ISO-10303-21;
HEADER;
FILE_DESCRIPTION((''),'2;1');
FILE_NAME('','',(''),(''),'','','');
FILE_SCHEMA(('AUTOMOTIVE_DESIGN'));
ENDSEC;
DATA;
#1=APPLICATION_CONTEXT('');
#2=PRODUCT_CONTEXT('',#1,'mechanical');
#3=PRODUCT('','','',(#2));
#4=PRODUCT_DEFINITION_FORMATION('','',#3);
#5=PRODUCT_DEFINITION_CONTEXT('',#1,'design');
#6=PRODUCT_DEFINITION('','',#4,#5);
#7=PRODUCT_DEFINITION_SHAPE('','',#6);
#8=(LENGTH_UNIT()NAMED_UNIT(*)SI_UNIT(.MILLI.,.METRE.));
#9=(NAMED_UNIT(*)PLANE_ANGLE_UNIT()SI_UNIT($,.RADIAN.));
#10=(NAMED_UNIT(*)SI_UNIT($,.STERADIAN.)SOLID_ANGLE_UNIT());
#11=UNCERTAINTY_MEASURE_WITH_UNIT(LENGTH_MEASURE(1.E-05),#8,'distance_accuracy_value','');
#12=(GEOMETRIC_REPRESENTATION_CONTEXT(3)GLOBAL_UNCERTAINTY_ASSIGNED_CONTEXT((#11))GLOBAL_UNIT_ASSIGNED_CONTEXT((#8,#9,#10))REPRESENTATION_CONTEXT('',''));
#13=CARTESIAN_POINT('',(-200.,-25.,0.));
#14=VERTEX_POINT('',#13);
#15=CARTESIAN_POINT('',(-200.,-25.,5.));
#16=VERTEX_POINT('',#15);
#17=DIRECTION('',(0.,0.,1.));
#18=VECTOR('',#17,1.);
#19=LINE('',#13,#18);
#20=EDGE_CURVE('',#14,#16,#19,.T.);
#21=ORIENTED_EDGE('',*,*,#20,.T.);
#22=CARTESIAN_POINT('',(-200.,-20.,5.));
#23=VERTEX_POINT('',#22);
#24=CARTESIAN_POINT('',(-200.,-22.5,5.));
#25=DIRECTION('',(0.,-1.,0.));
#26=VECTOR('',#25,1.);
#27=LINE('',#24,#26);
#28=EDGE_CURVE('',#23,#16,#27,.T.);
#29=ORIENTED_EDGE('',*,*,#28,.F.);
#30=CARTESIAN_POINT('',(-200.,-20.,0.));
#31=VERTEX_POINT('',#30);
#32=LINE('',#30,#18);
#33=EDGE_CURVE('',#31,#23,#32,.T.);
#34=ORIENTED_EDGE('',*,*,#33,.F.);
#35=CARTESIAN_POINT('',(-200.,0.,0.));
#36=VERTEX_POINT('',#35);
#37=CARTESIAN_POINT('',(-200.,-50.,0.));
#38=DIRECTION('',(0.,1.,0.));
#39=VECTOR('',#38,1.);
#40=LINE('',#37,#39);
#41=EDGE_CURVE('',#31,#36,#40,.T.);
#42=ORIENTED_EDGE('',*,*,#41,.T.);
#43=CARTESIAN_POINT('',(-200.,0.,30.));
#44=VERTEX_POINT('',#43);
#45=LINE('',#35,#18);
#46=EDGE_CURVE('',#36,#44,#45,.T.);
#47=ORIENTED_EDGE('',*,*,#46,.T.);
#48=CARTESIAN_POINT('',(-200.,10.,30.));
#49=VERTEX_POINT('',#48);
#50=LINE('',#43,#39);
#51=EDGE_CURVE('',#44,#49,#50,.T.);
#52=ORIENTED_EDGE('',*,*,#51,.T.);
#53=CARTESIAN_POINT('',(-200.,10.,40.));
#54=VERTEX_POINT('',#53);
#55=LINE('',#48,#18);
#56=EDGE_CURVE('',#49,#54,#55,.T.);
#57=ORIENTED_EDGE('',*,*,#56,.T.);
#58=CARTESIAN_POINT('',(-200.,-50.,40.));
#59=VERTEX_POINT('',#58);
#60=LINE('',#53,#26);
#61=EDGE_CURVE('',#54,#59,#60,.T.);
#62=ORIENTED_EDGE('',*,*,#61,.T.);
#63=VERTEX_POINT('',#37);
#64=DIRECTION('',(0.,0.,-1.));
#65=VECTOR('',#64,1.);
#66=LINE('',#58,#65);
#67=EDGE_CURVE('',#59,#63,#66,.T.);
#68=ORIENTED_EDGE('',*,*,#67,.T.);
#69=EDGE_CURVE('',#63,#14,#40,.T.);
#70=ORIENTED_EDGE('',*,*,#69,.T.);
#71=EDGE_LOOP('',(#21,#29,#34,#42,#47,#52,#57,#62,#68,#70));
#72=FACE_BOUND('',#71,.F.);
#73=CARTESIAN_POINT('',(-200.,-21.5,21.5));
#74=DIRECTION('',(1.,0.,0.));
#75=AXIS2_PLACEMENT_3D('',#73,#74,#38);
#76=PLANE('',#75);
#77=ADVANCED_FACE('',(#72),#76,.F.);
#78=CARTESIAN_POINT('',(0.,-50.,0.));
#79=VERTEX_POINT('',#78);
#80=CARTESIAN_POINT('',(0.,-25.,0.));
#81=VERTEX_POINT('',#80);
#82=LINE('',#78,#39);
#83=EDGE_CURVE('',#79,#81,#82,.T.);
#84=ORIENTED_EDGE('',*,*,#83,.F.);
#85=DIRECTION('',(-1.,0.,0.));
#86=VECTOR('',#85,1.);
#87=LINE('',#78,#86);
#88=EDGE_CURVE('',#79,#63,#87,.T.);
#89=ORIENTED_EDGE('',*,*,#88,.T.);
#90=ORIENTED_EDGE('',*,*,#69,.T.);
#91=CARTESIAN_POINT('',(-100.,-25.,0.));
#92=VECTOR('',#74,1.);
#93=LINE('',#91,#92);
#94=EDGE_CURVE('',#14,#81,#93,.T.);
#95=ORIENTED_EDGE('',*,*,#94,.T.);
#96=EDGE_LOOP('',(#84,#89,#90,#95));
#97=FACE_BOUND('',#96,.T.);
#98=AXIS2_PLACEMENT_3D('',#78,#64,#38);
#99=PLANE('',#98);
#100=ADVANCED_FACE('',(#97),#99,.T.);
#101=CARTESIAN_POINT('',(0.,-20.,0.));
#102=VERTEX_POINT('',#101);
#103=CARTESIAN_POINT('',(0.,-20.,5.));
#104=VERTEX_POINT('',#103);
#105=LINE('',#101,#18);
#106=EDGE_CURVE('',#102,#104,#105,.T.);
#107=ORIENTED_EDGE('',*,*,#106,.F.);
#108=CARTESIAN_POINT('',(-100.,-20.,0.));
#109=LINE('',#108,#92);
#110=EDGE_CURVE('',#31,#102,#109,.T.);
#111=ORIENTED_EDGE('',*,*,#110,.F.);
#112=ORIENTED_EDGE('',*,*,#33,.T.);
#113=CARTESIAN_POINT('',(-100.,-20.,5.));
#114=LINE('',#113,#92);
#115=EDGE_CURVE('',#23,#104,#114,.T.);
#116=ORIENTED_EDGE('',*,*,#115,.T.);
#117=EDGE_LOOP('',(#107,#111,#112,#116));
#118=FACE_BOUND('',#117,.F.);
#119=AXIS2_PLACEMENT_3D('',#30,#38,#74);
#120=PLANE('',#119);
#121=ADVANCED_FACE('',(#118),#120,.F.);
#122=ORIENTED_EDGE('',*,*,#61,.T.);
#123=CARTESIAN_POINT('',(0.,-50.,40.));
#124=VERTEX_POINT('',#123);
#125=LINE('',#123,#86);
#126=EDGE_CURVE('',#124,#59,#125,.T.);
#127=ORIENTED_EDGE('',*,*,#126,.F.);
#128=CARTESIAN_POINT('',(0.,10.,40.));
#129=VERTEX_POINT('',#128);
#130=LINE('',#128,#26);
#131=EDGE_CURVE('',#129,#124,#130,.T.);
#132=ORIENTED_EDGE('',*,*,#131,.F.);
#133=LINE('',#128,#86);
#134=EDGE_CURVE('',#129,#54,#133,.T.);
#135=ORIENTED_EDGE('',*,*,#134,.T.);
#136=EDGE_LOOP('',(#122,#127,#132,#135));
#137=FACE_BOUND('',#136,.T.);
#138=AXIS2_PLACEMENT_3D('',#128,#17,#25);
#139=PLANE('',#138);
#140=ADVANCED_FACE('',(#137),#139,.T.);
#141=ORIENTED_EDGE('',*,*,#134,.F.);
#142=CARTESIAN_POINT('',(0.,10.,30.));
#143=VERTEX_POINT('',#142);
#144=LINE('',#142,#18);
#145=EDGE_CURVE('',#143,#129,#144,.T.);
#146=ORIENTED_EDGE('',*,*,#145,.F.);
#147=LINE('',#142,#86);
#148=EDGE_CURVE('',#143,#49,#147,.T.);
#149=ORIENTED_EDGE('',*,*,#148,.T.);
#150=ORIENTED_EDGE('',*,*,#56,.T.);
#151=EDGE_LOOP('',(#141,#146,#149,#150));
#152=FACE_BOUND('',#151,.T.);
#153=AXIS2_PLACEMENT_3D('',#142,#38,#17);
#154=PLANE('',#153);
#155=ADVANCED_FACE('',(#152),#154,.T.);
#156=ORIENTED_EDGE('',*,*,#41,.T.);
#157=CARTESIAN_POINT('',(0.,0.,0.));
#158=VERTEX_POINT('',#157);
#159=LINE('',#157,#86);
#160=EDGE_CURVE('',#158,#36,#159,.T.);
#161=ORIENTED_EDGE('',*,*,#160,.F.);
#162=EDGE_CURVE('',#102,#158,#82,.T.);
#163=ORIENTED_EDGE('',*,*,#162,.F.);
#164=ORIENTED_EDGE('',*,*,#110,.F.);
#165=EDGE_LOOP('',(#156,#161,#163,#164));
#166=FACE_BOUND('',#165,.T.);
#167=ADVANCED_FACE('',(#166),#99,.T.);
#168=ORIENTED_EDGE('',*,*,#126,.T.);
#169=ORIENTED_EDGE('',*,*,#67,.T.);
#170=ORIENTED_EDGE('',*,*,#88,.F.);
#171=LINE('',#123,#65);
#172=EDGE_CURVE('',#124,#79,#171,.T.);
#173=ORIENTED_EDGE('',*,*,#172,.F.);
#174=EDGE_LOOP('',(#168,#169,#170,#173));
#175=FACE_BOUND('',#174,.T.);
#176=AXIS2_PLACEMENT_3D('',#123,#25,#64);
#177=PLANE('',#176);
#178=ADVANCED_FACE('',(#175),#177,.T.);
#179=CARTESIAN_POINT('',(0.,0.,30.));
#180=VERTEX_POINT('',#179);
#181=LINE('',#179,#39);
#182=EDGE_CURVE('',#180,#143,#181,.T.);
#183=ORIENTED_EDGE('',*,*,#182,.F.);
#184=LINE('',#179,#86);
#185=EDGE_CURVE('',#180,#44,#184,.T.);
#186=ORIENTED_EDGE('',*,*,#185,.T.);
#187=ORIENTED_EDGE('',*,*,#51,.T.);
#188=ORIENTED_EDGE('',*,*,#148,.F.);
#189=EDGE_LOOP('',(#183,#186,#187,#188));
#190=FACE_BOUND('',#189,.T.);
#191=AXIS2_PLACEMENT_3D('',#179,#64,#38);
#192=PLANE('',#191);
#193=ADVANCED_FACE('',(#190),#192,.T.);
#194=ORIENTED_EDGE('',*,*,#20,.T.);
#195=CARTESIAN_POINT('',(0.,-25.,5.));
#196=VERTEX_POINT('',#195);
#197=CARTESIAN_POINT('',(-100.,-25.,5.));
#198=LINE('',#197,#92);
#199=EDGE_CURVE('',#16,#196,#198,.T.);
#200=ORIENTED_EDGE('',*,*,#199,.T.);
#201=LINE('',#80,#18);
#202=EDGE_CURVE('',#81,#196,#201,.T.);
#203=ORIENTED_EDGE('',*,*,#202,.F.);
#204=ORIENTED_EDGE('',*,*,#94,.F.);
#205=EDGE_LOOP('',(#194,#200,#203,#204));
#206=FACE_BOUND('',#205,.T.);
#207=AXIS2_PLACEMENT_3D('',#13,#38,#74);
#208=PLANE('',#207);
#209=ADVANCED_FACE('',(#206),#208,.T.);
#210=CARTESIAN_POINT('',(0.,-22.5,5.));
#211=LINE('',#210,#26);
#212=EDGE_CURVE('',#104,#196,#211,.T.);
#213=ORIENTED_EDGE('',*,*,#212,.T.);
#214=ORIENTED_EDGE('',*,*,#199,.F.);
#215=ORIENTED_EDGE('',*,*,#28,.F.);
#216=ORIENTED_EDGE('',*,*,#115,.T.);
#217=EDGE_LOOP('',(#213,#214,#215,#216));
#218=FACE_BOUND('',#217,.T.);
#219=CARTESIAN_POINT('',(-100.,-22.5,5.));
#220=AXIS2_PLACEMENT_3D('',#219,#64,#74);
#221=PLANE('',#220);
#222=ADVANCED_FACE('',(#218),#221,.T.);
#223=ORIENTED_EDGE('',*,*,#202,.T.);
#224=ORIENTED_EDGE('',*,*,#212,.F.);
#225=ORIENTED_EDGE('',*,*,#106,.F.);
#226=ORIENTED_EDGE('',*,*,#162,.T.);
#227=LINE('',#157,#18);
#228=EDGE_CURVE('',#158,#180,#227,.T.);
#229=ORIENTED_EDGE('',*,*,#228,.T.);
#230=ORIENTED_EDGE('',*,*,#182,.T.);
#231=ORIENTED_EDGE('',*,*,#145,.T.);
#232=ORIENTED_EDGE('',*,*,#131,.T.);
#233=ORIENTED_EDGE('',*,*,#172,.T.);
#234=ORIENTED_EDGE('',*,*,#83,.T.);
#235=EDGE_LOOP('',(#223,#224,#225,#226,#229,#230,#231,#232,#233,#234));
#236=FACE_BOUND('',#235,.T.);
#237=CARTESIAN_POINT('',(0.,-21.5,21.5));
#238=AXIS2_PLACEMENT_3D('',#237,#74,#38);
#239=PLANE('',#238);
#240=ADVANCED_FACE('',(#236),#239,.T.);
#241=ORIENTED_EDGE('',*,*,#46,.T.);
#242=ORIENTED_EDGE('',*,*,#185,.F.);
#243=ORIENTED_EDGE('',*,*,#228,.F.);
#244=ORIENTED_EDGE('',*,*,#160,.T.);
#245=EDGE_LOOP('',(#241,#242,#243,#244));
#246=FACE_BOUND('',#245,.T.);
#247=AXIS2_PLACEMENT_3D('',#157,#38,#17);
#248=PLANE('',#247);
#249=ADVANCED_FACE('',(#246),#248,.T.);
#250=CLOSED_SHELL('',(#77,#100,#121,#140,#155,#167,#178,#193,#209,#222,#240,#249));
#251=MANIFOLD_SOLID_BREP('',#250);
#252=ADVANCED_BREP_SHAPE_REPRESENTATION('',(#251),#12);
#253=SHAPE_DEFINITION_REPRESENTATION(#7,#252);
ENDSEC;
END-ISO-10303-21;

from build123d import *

# Parameters (mm, degrees)
F1_DEPTH = 200
F2_W     = 200
F2_H     = 5
F3_DEPTH = 5


with BuildPart() as f1:
    # F0 (on Right) → F1 (new body)
    with BuildSketch(Plane.YZ):
        Polygon((10, 30), (10, 40), (-50, 40), (-50, 30), (-50, 0), (0, 0), (0, 30), align=None)
    extrude(amount=-F1_DEPTH)

    # F2 (on face) → F3 (cut)
    with BuildSketch(Plane(origin=(0, 0, 0), x_dir=(1, 0, 0), z_dir=(0, 0, -1))):
        with Locations((-100, 22.5)):
            Rectangle(F2_W, F2_H)
    extrude(amount=-F3_DEPTH, mode=Mode.SUBTRACT)


solid = f1.part
